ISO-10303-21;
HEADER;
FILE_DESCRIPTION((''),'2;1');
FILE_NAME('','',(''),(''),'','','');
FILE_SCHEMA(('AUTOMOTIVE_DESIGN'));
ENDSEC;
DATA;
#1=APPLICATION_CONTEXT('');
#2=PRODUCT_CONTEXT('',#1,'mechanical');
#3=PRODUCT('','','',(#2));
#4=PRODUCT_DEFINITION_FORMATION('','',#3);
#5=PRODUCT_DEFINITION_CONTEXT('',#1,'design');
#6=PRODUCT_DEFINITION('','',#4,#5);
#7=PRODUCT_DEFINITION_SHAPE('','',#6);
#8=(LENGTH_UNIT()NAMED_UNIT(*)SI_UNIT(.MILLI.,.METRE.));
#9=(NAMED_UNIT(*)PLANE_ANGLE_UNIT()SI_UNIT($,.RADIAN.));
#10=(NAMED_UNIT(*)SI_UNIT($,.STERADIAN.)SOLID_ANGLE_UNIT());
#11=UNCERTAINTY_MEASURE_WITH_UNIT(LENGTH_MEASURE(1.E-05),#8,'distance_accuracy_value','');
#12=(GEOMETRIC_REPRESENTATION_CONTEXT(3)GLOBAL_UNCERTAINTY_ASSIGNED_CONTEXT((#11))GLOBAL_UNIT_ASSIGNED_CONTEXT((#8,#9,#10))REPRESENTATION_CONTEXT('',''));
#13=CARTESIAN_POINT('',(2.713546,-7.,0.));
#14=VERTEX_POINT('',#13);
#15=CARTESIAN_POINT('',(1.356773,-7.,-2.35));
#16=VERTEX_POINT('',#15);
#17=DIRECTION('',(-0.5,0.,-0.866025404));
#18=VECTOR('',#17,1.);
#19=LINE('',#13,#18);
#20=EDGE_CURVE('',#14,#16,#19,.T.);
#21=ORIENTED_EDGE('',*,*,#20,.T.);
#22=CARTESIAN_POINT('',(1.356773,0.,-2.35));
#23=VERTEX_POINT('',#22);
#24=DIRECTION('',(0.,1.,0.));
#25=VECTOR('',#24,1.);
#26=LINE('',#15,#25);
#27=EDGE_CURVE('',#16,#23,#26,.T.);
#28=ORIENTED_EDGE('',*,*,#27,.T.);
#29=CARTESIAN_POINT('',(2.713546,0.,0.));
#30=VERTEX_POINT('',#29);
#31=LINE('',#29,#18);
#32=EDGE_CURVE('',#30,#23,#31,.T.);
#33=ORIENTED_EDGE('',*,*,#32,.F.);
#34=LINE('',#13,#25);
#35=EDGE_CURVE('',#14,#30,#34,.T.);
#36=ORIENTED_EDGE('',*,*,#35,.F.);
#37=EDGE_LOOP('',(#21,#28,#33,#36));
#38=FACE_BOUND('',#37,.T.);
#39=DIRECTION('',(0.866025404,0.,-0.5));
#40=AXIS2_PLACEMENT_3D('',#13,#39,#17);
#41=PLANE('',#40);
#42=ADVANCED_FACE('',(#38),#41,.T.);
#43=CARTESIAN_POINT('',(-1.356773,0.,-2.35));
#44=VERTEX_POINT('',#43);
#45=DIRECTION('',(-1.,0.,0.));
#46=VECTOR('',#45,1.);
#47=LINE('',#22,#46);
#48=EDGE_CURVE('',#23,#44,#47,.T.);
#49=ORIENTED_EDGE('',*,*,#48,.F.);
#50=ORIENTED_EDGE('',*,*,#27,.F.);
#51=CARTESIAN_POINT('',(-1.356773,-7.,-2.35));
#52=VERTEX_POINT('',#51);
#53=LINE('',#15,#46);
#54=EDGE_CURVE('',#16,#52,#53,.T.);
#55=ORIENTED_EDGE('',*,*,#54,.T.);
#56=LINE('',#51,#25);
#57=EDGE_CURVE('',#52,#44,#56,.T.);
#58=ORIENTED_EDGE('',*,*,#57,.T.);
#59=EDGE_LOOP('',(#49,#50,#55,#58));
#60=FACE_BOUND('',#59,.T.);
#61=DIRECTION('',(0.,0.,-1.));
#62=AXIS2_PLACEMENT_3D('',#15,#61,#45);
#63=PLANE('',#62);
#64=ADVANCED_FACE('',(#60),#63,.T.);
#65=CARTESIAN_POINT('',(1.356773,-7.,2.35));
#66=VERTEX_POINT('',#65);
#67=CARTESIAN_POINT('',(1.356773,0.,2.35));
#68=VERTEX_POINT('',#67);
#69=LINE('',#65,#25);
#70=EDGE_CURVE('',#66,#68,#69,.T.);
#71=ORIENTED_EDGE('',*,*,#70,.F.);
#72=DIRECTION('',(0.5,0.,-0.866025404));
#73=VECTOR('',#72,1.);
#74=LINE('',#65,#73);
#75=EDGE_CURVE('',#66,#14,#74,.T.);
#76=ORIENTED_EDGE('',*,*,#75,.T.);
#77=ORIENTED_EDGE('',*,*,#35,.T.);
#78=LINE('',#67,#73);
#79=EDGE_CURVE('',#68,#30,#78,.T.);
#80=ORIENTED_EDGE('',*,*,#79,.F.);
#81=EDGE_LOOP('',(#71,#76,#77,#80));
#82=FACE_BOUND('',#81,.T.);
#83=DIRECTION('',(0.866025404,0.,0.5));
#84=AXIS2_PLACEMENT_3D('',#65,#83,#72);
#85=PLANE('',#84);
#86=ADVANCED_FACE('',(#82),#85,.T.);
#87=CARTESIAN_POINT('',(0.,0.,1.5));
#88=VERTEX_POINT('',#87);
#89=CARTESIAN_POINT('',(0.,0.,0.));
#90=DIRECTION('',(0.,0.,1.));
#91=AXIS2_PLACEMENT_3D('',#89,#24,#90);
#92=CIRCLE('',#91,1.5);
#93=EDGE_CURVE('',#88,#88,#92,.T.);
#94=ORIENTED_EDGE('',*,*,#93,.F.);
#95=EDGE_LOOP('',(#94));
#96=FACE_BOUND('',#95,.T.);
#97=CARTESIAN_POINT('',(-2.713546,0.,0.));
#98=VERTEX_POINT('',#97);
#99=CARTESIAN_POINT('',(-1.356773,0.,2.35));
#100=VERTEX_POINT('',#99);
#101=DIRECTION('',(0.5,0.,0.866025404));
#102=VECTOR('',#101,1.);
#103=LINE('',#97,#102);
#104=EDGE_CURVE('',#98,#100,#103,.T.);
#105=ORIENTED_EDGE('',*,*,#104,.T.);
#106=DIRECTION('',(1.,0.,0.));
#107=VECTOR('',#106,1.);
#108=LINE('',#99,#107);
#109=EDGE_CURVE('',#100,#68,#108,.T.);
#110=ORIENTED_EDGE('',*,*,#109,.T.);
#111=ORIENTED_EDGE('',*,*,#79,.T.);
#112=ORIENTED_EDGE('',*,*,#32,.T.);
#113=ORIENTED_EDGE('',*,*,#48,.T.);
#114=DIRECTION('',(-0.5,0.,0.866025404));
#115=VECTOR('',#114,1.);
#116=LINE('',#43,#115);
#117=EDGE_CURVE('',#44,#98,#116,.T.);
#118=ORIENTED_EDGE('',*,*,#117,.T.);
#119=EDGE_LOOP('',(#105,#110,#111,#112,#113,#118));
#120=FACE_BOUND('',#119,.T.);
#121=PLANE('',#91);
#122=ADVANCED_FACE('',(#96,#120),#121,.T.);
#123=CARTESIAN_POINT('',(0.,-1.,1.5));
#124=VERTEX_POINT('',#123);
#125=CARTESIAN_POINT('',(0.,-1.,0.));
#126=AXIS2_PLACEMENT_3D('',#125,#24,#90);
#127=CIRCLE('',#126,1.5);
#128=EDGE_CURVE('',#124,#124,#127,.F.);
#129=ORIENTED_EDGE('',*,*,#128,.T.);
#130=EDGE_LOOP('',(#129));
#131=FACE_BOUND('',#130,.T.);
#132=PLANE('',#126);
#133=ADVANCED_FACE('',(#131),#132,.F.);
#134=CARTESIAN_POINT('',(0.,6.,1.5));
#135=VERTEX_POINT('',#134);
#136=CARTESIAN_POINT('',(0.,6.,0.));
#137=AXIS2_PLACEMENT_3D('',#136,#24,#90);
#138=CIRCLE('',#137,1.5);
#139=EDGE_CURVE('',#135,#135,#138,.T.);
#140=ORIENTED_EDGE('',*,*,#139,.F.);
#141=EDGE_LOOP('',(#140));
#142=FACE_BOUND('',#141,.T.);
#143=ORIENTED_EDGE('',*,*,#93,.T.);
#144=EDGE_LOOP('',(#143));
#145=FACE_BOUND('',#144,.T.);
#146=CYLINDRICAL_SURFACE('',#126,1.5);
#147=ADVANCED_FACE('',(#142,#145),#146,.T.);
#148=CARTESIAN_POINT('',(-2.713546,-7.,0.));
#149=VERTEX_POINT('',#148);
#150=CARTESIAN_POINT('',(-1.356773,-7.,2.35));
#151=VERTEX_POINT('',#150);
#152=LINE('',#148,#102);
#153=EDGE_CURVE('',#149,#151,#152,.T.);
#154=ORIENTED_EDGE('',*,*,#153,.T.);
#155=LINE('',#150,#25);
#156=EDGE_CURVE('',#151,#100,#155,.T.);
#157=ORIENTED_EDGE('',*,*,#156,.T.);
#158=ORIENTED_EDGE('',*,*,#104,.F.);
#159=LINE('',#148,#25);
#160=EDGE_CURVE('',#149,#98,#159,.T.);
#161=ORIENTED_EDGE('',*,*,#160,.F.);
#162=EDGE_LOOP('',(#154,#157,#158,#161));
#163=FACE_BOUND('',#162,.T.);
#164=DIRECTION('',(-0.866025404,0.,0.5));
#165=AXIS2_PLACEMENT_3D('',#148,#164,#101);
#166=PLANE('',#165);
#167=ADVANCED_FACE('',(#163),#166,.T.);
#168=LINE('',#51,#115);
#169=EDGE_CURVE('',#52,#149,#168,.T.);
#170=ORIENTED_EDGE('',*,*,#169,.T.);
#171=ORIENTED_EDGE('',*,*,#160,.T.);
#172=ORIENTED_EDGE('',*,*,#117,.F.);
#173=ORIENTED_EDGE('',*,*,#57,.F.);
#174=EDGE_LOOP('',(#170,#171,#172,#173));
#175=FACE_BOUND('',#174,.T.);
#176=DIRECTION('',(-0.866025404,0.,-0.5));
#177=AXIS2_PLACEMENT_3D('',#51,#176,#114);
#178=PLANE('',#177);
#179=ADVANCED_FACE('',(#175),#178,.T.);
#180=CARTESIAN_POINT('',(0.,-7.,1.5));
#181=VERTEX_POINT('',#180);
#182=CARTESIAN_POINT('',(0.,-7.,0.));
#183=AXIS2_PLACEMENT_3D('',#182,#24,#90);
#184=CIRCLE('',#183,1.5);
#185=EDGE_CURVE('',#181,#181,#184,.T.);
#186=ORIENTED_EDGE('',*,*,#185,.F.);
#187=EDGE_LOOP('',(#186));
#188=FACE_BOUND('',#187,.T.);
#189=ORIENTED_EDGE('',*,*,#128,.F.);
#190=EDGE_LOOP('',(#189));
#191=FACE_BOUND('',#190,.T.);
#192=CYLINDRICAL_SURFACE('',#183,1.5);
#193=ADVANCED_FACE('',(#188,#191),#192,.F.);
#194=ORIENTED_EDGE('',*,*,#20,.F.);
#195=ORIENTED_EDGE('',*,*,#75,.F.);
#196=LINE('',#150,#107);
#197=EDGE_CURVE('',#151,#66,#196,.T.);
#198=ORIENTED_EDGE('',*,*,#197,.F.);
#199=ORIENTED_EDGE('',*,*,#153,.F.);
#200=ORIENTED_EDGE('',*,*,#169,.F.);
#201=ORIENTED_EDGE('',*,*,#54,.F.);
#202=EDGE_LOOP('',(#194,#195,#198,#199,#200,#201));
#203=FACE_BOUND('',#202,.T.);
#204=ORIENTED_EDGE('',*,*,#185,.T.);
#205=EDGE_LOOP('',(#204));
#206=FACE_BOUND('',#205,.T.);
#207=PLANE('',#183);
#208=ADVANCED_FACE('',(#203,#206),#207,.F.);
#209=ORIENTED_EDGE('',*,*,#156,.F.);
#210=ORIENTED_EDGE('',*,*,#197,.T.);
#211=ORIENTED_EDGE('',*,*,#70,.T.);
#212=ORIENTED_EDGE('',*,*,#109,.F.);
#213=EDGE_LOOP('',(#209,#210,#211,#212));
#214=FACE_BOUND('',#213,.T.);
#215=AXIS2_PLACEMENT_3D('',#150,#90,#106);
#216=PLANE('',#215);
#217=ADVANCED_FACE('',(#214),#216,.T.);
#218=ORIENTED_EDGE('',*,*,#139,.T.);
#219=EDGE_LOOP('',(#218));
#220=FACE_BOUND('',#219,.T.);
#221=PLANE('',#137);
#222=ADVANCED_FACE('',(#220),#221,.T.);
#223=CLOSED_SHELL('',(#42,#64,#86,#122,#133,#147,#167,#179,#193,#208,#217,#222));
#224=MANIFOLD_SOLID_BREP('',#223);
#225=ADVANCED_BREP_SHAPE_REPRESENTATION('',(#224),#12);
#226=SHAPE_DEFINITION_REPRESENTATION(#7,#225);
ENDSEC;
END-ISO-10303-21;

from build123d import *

# Parameters (mm, degrees)
SKETCH_1_R           = 1.5
EXTRUDE_1_DEPTH      = 7
EXTRUDE_2_DEPTH      = 6
EXTRUDE_2_DEPTH_BACK = 1
SKETCH_1_4_R         = 1.5


with BuildPart() as part:
    # 草图1 → 凸台-拉伸1 (new body)
    with BuildSketch(Plane(origin=(0, 0, 0), x_dir=(1, 0, 0), z_dir=(0, 1, 0))):
        Polygon((2.713546265, 0), (1.356773133, 2.35), (-1.356773133, 2.35), (-2.713546265, 0), (-1.356773133, -2.35), (1.356773133, -2.35), align=None)
        Circle(SKETCH_1_R, mode=Mode.SUBTRACT)
    extrude(amount=-EXTRUDE_1_DEPTH)

    # 草图1<4> → 凸台-拉伸2 (add, two sides: drawn at the far end of the back side and taken through both)
    with BuildSketch(Plane(origin=(0, 0, 0), x_dir=(1, 0, 0), z_dir=(0, 1, 0)).offset(-EXTRUDE_2_DEPTH_BACK)):
        Circle(SKETCH_1_4_R)
    extrude(amount=EXTRUDE_2_DEPTH + EXTRUDE_2_DEPTH_BACK)


solid = part.part
